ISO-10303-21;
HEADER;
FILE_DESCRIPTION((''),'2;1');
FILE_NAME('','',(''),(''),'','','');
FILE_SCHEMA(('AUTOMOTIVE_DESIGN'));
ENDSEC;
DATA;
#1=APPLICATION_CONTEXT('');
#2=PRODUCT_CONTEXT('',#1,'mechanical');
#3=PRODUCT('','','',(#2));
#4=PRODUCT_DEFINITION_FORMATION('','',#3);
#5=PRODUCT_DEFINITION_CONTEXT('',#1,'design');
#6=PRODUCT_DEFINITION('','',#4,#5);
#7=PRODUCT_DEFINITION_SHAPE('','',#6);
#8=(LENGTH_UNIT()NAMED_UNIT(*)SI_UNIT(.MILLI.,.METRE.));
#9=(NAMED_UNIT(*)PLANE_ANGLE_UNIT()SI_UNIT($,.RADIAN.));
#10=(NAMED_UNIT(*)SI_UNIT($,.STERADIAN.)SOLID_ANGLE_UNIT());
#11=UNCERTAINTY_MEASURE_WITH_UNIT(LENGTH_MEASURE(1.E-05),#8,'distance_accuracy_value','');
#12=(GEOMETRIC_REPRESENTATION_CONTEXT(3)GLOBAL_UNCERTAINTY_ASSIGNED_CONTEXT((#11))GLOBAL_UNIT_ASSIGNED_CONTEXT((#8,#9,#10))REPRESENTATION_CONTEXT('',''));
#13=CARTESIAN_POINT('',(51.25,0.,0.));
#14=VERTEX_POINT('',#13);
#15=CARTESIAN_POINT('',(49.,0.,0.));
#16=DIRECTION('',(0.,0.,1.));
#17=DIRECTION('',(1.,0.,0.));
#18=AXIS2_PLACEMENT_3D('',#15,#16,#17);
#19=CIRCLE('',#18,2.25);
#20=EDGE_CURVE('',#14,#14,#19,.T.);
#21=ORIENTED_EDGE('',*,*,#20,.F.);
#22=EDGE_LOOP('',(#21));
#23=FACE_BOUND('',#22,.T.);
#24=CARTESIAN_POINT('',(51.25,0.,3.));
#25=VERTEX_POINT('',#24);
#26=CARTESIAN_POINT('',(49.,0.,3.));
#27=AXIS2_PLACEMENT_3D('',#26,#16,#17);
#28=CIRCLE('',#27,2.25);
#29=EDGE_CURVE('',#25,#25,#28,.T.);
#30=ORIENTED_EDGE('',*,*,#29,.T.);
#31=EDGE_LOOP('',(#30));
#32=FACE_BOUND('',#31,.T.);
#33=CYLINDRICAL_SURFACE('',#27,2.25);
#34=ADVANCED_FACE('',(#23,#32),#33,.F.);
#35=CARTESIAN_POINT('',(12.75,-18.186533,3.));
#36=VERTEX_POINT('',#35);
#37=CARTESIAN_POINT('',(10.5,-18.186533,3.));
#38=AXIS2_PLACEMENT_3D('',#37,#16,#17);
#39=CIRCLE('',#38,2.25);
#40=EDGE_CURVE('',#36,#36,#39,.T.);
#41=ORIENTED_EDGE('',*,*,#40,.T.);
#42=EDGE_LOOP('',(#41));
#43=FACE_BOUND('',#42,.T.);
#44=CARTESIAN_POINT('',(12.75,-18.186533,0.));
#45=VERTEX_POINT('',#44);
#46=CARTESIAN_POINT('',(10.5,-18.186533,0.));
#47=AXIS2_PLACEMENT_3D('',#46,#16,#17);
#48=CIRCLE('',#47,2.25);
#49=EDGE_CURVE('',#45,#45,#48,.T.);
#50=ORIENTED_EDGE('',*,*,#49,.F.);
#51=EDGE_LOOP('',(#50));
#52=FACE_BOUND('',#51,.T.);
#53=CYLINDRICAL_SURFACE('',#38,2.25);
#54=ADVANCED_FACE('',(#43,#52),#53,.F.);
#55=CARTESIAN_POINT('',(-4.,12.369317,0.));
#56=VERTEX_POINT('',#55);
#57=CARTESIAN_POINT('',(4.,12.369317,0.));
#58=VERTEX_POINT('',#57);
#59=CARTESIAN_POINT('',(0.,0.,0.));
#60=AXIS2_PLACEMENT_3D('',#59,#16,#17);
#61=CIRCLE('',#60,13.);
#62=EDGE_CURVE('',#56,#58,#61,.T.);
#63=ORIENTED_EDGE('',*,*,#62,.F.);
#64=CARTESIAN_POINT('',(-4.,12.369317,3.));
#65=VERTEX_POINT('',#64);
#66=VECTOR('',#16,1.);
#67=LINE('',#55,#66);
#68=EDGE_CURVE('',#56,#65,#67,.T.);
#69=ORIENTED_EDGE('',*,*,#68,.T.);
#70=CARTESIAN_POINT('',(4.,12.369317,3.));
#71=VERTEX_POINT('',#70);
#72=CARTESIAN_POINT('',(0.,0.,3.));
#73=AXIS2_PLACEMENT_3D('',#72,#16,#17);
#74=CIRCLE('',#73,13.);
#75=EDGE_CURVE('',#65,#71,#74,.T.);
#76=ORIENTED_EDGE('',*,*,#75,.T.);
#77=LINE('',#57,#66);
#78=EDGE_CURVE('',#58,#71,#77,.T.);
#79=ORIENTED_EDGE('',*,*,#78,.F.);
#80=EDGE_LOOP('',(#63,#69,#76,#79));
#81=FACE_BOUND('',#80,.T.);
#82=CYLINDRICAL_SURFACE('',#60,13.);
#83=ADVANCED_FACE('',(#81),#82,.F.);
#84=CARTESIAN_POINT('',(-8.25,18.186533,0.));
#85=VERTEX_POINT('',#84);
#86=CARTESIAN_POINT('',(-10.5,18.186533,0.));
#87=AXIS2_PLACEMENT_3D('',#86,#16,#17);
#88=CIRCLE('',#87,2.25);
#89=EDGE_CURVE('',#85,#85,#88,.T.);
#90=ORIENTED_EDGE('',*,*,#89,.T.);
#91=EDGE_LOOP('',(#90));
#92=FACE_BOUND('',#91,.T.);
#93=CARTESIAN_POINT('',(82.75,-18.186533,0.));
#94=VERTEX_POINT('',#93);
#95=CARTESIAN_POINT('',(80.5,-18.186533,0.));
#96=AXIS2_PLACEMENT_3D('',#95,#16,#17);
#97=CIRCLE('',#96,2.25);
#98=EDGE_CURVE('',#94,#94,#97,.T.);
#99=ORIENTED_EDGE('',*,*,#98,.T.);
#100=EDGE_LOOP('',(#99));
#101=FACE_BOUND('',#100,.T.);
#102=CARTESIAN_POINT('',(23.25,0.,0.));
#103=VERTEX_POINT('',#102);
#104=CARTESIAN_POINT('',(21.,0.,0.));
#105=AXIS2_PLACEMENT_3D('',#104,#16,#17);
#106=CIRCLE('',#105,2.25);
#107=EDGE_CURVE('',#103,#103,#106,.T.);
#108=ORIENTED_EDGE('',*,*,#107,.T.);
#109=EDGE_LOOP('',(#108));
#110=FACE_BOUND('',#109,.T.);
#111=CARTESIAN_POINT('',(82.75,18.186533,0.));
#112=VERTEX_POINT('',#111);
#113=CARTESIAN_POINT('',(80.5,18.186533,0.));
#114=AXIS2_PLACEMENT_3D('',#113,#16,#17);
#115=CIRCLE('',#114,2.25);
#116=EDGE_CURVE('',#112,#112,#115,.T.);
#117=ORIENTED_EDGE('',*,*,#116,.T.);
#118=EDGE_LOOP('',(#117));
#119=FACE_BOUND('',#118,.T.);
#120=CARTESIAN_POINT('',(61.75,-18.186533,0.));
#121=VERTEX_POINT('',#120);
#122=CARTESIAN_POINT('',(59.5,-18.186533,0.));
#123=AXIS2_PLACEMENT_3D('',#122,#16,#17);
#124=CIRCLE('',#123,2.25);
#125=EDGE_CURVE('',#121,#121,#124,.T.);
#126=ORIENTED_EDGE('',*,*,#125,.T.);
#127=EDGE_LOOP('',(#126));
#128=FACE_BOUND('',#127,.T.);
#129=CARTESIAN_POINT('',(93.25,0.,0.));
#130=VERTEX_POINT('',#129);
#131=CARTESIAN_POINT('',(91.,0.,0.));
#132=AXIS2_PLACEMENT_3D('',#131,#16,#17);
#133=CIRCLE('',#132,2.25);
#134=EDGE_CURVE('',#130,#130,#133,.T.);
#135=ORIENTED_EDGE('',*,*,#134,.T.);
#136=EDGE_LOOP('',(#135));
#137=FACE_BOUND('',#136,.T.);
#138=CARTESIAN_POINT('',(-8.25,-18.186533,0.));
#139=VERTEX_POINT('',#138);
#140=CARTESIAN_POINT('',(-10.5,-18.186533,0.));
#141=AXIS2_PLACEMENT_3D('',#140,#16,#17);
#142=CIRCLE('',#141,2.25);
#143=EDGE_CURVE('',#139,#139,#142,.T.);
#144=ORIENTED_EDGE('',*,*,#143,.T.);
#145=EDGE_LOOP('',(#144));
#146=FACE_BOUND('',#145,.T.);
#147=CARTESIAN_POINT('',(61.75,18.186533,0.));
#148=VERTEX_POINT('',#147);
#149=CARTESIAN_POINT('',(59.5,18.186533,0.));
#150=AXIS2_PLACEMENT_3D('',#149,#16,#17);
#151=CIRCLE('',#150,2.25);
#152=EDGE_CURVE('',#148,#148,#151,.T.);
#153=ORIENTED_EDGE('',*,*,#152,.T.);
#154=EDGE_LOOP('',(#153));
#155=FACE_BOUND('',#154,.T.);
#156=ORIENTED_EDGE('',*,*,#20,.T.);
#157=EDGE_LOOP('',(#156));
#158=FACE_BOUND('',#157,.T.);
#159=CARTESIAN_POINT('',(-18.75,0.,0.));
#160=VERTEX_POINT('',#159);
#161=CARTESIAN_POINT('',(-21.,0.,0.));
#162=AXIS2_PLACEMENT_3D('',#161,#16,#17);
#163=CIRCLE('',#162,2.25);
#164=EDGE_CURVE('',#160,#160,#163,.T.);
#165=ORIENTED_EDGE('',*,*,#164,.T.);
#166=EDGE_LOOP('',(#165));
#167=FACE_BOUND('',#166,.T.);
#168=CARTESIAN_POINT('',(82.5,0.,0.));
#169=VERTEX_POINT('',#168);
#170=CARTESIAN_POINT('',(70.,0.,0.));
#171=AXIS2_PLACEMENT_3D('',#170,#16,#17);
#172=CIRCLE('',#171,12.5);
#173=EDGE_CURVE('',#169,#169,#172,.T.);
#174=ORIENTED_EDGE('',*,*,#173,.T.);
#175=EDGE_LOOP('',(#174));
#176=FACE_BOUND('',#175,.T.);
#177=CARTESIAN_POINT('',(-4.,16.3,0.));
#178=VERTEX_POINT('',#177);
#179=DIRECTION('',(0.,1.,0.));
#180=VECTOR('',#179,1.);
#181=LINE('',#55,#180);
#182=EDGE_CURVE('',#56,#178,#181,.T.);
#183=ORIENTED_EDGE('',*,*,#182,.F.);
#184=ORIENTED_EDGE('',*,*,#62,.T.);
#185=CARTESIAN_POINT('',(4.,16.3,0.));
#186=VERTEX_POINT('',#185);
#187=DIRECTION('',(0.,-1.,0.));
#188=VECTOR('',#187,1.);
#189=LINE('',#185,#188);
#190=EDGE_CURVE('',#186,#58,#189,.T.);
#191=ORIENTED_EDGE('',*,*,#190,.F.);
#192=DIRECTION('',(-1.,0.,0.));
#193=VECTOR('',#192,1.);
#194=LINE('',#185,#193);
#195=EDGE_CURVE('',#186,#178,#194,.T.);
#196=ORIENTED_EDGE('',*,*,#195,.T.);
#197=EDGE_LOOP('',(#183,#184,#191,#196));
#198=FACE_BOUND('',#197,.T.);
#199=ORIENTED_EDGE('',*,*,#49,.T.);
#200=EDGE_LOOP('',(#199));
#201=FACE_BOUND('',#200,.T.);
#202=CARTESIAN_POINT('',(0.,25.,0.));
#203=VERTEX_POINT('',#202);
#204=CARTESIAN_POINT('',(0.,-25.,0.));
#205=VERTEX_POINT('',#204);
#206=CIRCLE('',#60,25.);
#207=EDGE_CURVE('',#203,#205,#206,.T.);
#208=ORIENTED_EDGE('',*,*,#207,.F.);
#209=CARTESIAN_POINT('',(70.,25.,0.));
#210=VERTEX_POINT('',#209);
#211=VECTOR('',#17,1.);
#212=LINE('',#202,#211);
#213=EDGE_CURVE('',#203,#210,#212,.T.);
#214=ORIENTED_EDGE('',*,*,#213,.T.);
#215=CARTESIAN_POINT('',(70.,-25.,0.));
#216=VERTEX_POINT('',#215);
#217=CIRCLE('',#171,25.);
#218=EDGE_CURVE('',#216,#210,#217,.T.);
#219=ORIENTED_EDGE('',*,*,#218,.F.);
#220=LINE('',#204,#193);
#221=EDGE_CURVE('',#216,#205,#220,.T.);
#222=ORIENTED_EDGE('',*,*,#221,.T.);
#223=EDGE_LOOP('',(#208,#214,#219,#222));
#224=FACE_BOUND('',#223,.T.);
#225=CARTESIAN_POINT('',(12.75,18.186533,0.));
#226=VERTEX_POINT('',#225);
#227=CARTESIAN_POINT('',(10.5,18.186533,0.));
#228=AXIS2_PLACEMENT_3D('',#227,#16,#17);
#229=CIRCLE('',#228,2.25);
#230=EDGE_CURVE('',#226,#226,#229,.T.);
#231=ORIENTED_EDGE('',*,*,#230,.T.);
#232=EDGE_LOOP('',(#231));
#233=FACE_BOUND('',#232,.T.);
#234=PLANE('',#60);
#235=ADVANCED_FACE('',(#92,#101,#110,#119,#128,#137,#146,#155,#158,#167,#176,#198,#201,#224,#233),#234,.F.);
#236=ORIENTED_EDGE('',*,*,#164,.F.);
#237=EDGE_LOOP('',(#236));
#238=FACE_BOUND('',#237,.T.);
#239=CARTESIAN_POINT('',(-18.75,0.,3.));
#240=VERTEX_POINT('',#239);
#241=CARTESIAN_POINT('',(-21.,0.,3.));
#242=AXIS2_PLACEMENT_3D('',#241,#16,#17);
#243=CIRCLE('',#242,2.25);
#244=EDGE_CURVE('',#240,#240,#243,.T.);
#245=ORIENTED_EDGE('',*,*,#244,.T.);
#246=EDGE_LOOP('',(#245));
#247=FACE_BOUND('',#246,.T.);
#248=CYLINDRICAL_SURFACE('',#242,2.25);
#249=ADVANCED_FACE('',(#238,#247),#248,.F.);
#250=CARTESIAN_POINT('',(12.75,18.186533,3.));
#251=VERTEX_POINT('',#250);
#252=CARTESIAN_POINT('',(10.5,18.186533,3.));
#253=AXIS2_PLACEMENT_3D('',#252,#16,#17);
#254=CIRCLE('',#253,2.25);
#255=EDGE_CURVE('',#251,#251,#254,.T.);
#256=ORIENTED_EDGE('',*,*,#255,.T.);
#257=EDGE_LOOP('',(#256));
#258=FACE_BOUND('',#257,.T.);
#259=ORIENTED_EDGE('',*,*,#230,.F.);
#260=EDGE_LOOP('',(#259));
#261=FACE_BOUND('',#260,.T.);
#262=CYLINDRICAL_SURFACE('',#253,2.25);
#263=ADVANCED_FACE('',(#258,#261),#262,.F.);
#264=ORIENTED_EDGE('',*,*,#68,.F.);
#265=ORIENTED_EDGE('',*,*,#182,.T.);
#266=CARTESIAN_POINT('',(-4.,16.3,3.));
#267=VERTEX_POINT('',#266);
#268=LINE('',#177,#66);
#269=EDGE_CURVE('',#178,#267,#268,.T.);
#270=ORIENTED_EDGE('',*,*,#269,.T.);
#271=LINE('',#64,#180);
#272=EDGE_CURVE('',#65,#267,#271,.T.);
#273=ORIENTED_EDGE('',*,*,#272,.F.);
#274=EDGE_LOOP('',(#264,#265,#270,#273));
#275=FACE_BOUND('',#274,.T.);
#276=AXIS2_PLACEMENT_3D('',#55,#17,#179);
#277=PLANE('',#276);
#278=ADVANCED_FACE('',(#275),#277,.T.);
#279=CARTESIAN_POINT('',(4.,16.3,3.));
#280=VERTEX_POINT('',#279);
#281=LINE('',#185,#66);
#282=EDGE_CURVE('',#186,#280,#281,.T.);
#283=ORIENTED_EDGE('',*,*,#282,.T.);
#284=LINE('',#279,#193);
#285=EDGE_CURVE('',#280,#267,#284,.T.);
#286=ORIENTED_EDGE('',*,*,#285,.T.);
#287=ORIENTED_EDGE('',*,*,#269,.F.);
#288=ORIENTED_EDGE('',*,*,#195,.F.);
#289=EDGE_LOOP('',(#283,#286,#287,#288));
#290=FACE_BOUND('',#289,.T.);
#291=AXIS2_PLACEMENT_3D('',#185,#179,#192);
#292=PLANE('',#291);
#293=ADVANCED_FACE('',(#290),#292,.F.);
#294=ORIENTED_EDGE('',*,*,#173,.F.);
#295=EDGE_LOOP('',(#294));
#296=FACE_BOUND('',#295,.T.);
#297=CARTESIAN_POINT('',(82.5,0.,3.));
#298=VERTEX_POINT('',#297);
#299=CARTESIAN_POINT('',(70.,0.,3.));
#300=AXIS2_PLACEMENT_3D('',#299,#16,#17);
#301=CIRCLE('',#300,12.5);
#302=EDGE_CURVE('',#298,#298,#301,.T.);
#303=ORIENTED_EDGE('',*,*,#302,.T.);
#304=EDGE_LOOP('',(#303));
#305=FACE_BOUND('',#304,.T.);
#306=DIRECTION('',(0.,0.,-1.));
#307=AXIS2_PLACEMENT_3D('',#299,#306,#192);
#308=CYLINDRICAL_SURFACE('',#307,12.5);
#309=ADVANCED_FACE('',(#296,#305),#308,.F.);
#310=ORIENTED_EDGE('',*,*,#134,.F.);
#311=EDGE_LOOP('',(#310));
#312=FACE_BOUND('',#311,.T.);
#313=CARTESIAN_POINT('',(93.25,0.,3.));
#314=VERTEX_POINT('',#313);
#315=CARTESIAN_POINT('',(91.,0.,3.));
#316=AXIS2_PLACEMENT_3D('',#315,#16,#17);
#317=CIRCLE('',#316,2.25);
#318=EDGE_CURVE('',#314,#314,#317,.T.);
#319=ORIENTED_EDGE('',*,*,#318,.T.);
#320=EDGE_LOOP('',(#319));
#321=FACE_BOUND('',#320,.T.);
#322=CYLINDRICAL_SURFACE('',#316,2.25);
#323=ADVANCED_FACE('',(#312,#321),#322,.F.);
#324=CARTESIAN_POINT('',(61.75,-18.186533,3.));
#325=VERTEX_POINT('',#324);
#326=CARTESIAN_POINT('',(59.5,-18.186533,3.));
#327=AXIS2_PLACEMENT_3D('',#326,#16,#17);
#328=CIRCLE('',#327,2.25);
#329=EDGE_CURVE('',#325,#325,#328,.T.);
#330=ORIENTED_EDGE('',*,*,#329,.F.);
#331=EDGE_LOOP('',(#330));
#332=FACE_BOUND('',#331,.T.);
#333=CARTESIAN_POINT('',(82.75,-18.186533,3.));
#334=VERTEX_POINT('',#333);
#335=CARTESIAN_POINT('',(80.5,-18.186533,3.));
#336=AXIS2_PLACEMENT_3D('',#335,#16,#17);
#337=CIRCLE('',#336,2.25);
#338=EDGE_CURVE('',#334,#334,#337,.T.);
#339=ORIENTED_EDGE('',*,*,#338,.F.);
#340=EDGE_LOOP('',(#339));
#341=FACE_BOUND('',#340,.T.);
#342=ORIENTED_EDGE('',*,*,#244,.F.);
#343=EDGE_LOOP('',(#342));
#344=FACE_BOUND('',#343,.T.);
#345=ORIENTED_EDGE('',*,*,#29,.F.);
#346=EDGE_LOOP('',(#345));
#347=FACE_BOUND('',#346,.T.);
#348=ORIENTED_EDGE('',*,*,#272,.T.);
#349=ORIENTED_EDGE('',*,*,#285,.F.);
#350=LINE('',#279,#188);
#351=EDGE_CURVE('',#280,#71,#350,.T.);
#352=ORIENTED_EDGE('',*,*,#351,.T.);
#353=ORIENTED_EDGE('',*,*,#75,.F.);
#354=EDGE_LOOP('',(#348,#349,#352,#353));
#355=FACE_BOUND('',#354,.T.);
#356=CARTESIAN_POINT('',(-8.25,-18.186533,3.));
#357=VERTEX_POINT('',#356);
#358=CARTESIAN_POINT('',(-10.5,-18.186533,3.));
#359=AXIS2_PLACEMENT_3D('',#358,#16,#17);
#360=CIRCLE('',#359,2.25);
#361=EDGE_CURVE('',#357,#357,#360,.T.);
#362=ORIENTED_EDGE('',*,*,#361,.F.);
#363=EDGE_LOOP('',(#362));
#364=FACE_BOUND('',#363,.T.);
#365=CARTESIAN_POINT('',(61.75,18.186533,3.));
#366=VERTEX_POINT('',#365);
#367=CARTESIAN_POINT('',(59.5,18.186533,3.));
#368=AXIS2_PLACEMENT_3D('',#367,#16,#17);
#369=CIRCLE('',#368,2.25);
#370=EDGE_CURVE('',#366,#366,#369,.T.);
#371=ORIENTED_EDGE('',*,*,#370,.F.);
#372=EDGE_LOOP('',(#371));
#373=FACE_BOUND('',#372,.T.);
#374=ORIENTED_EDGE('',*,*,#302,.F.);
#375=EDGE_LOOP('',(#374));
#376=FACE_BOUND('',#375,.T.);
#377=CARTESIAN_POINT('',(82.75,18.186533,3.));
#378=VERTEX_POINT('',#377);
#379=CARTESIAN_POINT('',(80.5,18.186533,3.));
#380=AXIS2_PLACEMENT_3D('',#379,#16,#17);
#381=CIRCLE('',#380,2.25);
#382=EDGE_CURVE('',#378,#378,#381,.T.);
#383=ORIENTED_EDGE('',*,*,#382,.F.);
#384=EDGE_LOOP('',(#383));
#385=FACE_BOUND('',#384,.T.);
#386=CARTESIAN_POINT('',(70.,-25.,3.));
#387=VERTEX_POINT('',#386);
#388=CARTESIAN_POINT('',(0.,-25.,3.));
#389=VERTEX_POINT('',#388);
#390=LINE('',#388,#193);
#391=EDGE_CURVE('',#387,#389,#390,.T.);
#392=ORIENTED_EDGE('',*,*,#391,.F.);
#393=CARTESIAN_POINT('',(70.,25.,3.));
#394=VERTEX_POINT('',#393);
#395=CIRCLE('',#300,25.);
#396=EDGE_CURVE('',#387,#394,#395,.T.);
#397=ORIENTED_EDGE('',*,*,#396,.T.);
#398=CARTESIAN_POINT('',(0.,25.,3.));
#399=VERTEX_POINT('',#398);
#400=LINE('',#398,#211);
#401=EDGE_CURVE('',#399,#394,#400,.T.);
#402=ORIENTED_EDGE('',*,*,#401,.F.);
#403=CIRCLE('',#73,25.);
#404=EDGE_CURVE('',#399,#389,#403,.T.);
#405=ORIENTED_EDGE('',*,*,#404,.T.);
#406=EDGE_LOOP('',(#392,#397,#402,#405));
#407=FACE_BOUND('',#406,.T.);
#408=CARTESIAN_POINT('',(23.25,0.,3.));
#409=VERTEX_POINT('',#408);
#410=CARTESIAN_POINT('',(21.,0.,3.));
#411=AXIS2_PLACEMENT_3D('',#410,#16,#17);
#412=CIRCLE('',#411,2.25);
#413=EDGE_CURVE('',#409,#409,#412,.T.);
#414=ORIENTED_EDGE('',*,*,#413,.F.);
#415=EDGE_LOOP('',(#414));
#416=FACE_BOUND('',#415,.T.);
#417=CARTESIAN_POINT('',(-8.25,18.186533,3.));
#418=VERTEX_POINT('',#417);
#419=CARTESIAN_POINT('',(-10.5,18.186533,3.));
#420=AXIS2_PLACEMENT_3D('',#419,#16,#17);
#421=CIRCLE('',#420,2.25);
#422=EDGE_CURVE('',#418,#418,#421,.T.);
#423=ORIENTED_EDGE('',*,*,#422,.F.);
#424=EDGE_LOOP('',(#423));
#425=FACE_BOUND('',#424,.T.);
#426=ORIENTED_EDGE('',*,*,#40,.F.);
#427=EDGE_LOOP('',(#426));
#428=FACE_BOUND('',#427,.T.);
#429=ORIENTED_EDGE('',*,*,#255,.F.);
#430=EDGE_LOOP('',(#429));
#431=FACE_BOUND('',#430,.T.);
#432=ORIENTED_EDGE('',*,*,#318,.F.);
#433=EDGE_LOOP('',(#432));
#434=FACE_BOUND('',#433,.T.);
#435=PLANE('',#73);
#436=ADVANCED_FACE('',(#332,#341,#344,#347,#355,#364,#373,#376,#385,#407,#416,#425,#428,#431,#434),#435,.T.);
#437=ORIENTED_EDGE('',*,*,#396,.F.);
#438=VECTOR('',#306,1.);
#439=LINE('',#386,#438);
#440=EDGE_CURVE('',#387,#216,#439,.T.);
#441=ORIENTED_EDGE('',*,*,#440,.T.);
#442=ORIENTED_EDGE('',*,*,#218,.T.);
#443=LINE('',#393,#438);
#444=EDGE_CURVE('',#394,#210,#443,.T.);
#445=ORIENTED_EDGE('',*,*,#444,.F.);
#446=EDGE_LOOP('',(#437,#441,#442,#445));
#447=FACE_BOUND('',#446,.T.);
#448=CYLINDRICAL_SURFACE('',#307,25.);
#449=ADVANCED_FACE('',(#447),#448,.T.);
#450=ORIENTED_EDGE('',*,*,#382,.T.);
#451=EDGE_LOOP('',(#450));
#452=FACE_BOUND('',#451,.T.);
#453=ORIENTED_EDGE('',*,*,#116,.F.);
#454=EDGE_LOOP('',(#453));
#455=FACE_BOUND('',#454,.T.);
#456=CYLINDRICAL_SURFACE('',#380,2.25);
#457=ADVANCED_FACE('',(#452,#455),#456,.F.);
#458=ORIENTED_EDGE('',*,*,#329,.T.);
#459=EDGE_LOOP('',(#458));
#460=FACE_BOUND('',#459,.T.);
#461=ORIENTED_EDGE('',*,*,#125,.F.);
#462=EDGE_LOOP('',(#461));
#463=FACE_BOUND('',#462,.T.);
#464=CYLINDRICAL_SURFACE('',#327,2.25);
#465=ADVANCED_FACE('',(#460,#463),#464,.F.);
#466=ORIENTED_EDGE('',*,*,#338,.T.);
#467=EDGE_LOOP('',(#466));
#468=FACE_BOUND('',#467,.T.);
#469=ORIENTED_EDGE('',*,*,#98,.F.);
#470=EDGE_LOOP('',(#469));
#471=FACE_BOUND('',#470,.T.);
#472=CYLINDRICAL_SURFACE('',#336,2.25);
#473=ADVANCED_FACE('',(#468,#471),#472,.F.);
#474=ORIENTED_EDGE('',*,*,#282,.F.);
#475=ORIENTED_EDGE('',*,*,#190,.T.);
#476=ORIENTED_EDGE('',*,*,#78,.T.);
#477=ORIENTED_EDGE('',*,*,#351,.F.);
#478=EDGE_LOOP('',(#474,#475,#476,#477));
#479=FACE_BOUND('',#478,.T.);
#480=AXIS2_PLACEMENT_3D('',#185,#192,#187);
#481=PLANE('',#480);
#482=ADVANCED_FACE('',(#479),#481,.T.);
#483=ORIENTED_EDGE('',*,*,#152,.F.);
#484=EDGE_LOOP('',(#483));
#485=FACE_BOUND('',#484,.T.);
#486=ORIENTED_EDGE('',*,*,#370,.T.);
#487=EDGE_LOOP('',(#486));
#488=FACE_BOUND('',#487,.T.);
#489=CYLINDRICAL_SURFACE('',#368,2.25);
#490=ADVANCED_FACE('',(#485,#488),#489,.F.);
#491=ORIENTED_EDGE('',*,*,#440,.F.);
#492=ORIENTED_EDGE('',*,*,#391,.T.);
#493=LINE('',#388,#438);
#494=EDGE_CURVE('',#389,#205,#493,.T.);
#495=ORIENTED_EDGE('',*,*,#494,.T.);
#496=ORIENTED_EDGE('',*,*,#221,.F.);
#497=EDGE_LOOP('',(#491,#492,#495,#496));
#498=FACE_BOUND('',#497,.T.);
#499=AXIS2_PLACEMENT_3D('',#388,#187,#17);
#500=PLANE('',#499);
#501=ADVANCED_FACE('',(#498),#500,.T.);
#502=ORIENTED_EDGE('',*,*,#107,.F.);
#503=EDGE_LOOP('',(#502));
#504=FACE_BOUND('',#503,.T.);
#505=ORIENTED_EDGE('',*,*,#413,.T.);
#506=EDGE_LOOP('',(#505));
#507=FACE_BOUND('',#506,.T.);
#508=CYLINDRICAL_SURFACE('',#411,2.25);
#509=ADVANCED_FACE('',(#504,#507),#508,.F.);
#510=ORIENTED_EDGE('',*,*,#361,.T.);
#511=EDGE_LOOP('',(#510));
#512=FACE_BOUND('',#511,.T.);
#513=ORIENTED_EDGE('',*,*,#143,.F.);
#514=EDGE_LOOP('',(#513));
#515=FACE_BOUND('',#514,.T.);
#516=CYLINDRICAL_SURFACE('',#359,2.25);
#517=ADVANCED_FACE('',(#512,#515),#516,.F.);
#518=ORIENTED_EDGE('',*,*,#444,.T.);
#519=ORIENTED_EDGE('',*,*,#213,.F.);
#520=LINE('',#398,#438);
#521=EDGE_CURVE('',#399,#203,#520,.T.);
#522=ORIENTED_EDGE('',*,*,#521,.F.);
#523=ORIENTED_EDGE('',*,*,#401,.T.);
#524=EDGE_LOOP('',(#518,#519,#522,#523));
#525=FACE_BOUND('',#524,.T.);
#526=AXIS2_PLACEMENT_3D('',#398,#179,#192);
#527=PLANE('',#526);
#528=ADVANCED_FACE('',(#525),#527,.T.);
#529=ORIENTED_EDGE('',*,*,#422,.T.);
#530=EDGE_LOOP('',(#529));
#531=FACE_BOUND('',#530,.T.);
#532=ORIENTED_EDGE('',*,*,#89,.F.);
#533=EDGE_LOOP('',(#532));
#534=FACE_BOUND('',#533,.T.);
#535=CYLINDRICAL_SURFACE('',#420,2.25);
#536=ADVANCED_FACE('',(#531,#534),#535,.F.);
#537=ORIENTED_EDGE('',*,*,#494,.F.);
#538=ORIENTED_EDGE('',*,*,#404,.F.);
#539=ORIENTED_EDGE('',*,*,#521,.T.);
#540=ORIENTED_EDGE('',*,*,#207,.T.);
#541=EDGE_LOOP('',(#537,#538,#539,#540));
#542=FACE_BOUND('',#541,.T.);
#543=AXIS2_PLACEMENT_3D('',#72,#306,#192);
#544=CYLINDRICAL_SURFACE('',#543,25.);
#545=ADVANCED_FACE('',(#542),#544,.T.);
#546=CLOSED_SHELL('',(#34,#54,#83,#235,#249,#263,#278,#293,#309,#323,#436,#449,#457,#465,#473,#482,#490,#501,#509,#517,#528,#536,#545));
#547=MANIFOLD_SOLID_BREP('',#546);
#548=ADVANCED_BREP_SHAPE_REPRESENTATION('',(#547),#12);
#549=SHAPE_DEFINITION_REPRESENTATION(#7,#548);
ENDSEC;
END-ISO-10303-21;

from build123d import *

# Parameters (mm, degrees)
CROQUIS1_R                   = 12.5
SALIENTE_EXTRUIR1_DEPTH      = 3
TALADRO_DE_MARGEN_PARA_M42_D = 4.5
KEYWAY_DEPTH                 = 4


with BuildPart() as part:
    # Croquis1 → Saliente-Extruir1 (new body)
    with BuildSketch(Plane.XY):
        with BuildLine():
            Line((70, 25), (0, 25))
            ThreePointArc((0, 25), (-25, 0), (0, -25))
            Line((0, -25), (70, -25))
            ThreePointArc((70, -25), (95, 0), (70, 25))
        make_face()
        with Locations((70, 0)):
            Circle(CROQUIS1_R, mode=Mode.SUBTRACT)
    extrude(amount=SALIENTE_EXTRUIR1_DEPTH)

    # Taladro de margen para M42 (through all)
    with Locations(Plane.XY.offset(3)):
        with Locations((-21, 0), (91, 0), (-10.5, 18.186533479), (10.5, 18.186533479), (21, 0), (10.5, -18.186533479), (-10.5, -18.186533479), (80.5, -18.186533479), (59.5, -18.186533479), (49, 0), (59.5, 18.186533479), (80.5, 18.186533479)):
            Hole(TALADRO_DE_MARGEN_PARA_M42_D / 2)

    # KeySketch → Keyway (cut, through all)
    with BuildSketch(Plane(origin=(0.837491084, -0.474467987, 3), x_dir=(1, 0, 0), z_dir=(0, 0, 1))):
        with BuildLine():
            Line((-4.837491084, 12.843784864), (-4.837491084, 16.774467987))
            Line((-4.837491084, 16.774467987), (3.162508916, 16.774467987))
            Line((3.162508916, 16.774467987), (3.162508916, 12.843784864))
            ThreePointArc((3.162508916, 12.843784864), (-0.837491084, -12.525532013), (-4.837491084, 12.843784864))
        make_face()
    extrude(amount=-KEYWAY_DEPTH, mode=Mode.SUBTRACT)


solid = part.part
